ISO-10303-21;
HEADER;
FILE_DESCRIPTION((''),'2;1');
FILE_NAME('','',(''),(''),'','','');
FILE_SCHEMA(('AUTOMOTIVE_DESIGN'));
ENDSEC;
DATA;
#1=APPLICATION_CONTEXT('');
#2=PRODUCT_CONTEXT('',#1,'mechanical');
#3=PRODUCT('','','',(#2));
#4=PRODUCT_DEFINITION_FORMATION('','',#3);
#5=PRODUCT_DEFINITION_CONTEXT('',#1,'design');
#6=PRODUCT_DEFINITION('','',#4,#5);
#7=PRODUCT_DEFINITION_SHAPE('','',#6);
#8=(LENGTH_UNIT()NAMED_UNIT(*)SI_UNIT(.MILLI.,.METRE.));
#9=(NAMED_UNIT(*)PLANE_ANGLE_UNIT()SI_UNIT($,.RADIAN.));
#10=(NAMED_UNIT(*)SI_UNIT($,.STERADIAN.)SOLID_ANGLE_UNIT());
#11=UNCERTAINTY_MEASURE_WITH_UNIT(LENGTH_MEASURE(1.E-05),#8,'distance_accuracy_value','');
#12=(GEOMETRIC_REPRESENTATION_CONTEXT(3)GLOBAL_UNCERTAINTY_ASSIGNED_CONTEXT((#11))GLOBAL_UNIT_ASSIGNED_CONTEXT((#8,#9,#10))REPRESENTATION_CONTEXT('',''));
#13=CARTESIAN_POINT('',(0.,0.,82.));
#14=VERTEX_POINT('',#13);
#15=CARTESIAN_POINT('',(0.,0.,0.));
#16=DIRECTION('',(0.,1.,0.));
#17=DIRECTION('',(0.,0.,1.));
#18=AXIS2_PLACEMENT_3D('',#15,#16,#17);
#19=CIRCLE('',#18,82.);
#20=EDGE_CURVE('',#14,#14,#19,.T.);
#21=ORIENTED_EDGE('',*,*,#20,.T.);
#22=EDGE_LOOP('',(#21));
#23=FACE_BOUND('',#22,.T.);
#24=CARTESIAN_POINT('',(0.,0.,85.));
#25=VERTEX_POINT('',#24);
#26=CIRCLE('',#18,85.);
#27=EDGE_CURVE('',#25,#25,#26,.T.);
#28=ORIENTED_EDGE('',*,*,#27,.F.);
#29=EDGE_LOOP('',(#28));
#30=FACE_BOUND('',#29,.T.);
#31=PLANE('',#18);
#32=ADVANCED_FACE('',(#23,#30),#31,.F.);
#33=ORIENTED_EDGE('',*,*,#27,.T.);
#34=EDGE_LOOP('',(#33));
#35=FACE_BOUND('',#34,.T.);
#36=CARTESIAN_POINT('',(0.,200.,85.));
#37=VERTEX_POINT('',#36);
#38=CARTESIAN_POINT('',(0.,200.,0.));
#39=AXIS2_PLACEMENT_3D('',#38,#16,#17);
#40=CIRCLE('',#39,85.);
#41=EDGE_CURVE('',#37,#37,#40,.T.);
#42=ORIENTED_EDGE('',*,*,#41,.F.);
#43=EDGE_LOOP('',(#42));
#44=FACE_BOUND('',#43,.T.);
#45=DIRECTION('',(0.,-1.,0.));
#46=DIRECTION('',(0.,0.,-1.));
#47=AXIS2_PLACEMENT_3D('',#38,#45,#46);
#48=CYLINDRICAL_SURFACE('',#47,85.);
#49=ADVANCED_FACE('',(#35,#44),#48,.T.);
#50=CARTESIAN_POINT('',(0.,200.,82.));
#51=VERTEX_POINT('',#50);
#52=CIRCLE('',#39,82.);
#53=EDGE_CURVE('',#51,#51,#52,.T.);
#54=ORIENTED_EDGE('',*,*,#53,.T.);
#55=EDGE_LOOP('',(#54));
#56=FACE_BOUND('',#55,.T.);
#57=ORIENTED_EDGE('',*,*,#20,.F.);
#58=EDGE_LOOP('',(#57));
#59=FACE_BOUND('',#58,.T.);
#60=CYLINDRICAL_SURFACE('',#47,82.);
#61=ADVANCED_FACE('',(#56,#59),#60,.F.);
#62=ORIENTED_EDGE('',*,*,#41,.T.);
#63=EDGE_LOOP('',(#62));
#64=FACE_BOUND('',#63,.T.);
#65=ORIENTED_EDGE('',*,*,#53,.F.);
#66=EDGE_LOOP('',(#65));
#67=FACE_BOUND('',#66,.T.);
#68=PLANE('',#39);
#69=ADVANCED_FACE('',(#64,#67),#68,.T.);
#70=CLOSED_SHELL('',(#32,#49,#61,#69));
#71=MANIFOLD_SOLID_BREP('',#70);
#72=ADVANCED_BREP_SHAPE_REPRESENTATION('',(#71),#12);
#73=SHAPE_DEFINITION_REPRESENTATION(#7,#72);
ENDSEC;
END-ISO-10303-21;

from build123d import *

# Parameters (mm, degrees)
SKETCH1_R           = 85
SKETCH1_R_2         = 82
BOSS_EXTRUDE1_DEPTH = 200


with BuildPart() as part:
    # Sketch1 → Boss-Extrude1 (new body)
    with BuildSketch(Plane(origin=(0, 0, 0), x_dir=(1, 0, 0), z_dir=(0, 1, 0))):
        with Locations(Location((0, 0, 0), (0, 0, 270))):
            Circle(SKETCH1_R)
        with Locations(Location((0, 0, 0), (0, 0, 270))):
            Circle(SKETCH1_R_2, mode=Mode.SUBTRACT)
    extrude(amount=BOSS_EXTRUDE1_DEPTH)


solid = part.part
